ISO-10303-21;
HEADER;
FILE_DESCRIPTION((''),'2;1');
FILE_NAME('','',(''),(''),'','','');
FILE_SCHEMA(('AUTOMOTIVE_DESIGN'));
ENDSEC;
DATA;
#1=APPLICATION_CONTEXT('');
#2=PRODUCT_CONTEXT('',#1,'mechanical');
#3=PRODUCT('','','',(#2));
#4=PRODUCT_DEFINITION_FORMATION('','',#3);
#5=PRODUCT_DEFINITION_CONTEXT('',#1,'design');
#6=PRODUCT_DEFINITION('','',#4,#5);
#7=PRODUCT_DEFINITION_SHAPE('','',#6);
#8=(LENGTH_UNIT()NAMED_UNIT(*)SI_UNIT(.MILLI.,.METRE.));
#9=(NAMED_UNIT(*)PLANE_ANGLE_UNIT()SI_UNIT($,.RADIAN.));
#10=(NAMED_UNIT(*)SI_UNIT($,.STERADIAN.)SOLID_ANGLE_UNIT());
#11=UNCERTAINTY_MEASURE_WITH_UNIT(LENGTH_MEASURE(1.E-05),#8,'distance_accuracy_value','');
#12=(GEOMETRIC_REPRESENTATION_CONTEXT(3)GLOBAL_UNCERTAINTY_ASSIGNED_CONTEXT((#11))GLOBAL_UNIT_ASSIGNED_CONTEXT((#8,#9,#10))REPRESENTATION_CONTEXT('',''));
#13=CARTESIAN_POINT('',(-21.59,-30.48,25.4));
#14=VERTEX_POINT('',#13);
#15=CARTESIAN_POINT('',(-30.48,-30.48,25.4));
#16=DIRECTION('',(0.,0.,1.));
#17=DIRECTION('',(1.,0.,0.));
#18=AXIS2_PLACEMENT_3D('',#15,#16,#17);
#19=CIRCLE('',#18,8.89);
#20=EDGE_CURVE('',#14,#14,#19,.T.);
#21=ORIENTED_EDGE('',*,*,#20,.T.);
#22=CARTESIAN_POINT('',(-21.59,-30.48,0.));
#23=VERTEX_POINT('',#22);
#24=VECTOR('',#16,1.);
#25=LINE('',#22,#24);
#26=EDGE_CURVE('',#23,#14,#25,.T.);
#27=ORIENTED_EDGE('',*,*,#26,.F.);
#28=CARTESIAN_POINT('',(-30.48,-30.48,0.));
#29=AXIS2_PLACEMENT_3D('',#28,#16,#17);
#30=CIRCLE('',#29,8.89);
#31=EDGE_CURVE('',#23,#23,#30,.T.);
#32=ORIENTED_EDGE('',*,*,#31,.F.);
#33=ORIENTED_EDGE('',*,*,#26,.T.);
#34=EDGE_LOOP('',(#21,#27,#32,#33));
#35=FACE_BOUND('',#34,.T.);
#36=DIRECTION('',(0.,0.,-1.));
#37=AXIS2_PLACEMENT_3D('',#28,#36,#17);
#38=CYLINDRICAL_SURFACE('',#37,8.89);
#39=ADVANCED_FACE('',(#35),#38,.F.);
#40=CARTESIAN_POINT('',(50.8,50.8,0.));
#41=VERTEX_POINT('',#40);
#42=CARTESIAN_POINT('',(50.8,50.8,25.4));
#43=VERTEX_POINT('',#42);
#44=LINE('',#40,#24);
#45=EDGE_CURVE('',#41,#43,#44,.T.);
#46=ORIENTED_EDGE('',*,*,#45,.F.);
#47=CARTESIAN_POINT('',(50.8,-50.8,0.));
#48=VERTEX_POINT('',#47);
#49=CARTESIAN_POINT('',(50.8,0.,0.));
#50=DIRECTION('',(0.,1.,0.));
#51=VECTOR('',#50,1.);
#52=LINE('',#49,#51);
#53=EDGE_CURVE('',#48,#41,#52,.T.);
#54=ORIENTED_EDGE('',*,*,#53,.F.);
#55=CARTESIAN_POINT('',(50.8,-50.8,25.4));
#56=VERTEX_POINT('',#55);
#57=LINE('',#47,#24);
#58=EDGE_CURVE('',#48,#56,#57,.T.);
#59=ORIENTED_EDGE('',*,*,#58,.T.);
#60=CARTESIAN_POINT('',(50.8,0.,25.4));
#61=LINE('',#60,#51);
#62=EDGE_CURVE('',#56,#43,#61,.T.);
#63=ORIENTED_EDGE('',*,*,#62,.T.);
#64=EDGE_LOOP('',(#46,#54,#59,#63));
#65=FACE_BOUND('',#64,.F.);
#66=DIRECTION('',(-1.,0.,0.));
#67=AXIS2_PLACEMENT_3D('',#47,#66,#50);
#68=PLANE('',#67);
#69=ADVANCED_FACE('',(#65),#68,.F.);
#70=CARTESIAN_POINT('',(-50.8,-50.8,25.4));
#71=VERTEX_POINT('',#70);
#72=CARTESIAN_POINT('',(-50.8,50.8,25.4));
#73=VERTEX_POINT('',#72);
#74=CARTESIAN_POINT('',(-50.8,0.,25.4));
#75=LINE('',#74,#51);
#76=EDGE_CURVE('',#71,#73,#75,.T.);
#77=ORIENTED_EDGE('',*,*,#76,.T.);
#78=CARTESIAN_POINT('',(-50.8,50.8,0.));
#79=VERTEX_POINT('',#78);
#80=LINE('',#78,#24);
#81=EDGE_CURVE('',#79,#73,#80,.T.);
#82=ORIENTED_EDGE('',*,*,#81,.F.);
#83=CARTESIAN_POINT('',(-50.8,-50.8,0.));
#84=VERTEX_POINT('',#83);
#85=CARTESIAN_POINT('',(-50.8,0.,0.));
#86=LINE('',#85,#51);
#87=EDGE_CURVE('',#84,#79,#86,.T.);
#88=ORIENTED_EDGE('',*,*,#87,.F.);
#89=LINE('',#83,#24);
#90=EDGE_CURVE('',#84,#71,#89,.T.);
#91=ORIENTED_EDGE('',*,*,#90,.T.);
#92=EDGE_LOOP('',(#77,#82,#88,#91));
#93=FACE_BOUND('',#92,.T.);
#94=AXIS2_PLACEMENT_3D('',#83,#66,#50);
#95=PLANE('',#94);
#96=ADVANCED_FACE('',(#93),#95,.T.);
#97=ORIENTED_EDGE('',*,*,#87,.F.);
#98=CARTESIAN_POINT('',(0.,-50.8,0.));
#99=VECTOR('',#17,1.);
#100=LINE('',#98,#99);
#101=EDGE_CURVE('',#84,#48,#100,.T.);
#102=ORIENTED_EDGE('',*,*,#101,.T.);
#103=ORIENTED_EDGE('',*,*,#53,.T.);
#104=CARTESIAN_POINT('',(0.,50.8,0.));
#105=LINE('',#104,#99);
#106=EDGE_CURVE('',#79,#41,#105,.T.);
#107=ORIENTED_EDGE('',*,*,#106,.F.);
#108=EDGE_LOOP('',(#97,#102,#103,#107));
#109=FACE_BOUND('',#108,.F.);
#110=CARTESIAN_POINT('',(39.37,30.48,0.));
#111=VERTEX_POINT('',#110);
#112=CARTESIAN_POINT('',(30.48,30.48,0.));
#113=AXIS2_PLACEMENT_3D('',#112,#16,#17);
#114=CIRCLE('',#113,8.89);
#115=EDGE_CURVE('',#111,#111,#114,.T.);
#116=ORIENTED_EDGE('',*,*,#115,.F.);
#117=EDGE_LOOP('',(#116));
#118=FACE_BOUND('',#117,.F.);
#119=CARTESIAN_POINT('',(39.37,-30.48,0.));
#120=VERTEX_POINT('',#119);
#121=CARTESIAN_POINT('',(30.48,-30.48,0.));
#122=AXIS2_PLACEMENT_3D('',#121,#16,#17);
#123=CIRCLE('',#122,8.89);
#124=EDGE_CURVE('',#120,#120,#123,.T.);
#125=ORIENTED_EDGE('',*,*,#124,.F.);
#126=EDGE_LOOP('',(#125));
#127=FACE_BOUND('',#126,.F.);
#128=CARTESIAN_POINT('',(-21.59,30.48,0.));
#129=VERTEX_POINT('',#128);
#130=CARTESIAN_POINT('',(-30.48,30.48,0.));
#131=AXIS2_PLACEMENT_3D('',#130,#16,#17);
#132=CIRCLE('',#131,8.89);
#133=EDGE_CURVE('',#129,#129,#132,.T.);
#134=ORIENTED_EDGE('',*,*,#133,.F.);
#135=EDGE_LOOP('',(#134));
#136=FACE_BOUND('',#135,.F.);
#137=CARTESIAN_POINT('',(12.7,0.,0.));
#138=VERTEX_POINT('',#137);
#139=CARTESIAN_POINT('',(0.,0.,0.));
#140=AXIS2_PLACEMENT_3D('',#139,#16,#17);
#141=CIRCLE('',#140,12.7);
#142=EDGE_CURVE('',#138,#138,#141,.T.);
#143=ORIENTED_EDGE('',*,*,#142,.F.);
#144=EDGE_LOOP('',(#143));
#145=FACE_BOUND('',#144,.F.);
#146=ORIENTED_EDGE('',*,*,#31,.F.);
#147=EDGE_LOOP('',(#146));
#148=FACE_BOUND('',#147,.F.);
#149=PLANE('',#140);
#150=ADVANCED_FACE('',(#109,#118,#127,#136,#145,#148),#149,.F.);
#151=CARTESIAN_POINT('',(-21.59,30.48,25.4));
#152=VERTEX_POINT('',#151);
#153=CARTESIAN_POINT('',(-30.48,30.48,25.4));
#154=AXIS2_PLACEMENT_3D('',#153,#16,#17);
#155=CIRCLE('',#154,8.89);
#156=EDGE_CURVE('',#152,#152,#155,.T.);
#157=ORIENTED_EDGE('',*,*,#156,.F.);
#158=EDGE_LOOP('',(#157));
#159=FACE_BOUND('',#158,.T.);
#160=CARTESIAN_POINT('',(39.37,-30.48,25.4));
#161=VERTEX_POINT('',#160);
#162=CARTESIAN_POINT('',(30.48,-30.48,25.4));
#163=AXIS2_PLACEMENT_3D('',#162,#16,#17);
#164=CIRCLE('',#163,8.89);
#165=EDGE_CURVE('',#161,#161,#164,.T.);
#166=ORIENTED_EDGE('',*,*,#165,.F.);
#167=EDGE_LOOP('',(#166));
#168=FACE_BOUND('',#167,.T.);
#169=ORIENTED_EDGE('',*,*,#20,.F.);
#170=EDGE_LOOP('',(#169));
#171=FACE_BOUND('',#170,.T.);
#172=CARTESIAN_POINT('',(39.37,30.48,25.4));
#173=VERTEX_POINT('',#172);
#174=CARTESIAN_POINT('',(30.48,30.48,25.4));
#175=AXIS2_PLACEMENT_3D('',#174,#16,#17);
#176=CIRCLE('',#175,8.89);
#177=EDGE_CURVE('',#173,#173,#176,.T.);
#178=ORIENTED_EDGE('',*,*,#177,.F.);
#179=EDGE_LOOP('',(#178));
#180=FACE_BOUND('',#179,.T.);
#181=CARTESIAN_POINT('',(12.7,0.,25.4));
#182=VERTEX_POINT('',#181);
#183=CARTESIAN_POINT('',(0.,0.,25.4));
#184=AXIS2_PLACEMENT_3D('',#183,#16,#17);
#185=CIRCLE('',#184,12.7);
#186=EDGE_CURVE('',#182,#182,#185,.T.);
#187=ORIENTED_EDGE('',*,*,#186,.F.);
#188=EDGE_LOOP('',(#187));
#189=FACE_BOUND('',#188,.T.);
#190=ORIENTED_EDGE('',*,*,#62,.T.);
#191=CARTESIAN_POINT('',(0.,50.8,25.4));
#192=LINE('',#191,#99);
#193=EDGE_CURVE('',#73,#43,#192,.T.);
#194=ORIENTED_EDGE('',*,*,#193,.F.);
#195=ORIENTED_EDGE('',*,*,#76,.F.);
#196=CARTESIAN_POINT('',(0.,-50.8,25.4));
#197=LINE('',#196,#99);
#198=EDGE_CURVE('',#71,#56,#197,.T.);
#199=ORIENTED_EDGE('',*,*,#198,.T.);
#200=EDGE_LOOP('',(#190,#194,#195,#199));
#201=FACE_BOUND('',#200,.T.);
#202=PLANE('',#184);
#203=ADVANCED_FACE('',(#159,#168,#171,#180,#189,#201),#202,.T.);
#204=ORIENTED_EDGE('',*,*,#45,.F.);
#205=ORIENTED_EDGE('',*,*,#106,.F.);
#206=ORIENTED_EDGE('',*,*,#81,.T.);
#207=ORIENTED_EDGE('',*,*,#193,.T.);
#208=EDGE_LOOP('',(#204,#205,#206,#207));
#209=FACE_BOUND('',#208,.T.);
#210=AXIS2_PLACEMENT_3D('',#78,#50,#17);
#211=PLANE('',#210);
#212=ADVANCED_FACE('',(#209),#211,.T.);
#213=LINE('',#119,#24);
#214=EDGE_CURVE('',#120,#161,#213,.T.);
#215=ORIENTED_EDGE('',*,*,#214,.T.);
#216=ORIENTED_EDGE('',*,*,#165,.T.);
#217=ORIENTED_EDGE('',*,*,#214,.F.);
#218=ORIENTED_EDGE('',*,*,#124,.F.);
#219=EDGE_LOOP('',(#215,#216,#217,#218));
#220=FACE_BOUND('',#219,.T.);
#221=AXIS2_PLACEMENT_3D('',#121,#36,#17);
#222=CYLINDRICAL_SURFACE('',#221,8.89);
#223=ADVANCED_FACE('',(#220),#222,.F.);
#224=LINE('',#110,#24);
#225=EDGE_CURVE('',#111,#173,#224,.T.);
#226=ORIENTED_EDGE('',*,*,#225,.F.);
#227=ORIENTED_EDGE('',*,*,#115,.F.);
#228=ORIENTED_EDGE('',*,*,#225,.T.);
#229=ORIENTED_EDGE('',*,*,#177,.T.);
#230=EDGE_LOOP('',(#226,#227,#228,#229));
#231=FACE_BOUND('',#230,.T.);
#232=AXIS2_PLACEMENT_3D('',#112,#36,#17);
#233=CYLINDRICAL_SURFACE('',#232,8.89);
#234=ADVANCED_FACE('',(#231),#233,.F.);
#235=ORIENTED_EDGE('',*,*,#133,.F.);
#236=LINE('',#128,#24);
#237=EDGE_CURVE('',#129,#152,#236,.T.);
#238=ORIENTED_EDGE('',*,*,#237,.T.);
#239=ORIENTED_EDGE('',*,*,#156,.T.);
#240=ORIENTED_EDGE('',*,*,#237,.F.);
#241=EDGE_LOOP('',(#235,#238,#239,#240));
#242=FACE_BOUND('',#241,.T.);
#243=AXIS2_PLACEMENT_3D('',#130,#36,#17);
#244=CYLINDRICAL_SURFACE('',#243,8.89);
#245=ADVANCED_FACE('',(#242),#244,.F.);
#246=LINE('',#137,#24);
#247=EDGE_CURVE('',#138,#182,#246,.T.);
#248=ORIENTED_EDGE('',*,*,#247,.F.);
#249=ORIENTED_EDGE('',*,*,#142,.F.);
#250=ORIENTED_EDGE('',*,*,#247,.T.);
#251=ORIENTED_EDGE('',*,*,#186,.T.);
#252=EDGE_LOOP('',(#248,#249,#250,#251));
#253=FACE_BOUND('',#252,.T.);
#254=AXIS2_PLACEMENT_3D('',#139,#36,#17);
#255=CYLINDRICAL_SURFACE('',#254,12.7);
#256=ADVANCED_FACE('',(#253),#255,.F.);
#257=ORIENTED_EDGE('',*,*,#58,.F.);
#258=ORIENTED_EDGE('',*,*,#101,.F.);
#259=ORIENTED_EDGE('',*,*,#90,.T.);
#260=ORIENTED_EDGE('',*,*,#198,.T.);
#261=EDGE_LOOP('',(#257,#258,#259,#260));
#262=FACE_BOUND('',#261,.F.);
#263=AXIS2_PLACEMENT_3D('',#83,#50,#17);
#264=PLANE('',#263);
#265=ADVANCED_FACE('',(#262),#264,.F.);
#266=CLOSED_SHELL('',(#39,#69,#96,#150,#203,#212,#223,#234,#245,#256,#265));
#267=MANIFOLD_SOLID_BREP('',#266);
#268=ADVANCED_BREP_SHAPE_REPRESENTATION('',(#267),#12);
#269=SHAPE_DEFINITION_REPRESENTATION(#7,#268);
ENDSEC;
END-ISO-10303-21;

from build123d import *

# Parameters (mm, degrees)
F0_W     = 101.6
F0_H     = 101.6
F0_R     = 8.89
F0_R_2   = 12.7
F1_DEPTH = 25.4


with BuildPart() as f1:
    # F0 (on Top) → F1 (new body)
    with BuildSketch(Plane.XY):
        Rectangle(F0_W, F0_H)
        with Locations((-30.48, -30.48)):
            Circle(F0_R, mode=Mode.SUBTRACT)
        Circle(F0_R_2, mode=Mode.SUBTRACT)
        with Locations((30.48, -30.48)):
            Circle(F0_R, mode=Mode.SUBTRACT)
        with Locations((-30.48, 30.48)):
            Circle(F0_R, mode=Mode.SUBTRACT)
        with Locations((30.48, 30.48)):
            Circle(F0_R, mode=Mode.SUBTRACT)
    extrude(amount=F1_DEPTH)


solid = f1.part
